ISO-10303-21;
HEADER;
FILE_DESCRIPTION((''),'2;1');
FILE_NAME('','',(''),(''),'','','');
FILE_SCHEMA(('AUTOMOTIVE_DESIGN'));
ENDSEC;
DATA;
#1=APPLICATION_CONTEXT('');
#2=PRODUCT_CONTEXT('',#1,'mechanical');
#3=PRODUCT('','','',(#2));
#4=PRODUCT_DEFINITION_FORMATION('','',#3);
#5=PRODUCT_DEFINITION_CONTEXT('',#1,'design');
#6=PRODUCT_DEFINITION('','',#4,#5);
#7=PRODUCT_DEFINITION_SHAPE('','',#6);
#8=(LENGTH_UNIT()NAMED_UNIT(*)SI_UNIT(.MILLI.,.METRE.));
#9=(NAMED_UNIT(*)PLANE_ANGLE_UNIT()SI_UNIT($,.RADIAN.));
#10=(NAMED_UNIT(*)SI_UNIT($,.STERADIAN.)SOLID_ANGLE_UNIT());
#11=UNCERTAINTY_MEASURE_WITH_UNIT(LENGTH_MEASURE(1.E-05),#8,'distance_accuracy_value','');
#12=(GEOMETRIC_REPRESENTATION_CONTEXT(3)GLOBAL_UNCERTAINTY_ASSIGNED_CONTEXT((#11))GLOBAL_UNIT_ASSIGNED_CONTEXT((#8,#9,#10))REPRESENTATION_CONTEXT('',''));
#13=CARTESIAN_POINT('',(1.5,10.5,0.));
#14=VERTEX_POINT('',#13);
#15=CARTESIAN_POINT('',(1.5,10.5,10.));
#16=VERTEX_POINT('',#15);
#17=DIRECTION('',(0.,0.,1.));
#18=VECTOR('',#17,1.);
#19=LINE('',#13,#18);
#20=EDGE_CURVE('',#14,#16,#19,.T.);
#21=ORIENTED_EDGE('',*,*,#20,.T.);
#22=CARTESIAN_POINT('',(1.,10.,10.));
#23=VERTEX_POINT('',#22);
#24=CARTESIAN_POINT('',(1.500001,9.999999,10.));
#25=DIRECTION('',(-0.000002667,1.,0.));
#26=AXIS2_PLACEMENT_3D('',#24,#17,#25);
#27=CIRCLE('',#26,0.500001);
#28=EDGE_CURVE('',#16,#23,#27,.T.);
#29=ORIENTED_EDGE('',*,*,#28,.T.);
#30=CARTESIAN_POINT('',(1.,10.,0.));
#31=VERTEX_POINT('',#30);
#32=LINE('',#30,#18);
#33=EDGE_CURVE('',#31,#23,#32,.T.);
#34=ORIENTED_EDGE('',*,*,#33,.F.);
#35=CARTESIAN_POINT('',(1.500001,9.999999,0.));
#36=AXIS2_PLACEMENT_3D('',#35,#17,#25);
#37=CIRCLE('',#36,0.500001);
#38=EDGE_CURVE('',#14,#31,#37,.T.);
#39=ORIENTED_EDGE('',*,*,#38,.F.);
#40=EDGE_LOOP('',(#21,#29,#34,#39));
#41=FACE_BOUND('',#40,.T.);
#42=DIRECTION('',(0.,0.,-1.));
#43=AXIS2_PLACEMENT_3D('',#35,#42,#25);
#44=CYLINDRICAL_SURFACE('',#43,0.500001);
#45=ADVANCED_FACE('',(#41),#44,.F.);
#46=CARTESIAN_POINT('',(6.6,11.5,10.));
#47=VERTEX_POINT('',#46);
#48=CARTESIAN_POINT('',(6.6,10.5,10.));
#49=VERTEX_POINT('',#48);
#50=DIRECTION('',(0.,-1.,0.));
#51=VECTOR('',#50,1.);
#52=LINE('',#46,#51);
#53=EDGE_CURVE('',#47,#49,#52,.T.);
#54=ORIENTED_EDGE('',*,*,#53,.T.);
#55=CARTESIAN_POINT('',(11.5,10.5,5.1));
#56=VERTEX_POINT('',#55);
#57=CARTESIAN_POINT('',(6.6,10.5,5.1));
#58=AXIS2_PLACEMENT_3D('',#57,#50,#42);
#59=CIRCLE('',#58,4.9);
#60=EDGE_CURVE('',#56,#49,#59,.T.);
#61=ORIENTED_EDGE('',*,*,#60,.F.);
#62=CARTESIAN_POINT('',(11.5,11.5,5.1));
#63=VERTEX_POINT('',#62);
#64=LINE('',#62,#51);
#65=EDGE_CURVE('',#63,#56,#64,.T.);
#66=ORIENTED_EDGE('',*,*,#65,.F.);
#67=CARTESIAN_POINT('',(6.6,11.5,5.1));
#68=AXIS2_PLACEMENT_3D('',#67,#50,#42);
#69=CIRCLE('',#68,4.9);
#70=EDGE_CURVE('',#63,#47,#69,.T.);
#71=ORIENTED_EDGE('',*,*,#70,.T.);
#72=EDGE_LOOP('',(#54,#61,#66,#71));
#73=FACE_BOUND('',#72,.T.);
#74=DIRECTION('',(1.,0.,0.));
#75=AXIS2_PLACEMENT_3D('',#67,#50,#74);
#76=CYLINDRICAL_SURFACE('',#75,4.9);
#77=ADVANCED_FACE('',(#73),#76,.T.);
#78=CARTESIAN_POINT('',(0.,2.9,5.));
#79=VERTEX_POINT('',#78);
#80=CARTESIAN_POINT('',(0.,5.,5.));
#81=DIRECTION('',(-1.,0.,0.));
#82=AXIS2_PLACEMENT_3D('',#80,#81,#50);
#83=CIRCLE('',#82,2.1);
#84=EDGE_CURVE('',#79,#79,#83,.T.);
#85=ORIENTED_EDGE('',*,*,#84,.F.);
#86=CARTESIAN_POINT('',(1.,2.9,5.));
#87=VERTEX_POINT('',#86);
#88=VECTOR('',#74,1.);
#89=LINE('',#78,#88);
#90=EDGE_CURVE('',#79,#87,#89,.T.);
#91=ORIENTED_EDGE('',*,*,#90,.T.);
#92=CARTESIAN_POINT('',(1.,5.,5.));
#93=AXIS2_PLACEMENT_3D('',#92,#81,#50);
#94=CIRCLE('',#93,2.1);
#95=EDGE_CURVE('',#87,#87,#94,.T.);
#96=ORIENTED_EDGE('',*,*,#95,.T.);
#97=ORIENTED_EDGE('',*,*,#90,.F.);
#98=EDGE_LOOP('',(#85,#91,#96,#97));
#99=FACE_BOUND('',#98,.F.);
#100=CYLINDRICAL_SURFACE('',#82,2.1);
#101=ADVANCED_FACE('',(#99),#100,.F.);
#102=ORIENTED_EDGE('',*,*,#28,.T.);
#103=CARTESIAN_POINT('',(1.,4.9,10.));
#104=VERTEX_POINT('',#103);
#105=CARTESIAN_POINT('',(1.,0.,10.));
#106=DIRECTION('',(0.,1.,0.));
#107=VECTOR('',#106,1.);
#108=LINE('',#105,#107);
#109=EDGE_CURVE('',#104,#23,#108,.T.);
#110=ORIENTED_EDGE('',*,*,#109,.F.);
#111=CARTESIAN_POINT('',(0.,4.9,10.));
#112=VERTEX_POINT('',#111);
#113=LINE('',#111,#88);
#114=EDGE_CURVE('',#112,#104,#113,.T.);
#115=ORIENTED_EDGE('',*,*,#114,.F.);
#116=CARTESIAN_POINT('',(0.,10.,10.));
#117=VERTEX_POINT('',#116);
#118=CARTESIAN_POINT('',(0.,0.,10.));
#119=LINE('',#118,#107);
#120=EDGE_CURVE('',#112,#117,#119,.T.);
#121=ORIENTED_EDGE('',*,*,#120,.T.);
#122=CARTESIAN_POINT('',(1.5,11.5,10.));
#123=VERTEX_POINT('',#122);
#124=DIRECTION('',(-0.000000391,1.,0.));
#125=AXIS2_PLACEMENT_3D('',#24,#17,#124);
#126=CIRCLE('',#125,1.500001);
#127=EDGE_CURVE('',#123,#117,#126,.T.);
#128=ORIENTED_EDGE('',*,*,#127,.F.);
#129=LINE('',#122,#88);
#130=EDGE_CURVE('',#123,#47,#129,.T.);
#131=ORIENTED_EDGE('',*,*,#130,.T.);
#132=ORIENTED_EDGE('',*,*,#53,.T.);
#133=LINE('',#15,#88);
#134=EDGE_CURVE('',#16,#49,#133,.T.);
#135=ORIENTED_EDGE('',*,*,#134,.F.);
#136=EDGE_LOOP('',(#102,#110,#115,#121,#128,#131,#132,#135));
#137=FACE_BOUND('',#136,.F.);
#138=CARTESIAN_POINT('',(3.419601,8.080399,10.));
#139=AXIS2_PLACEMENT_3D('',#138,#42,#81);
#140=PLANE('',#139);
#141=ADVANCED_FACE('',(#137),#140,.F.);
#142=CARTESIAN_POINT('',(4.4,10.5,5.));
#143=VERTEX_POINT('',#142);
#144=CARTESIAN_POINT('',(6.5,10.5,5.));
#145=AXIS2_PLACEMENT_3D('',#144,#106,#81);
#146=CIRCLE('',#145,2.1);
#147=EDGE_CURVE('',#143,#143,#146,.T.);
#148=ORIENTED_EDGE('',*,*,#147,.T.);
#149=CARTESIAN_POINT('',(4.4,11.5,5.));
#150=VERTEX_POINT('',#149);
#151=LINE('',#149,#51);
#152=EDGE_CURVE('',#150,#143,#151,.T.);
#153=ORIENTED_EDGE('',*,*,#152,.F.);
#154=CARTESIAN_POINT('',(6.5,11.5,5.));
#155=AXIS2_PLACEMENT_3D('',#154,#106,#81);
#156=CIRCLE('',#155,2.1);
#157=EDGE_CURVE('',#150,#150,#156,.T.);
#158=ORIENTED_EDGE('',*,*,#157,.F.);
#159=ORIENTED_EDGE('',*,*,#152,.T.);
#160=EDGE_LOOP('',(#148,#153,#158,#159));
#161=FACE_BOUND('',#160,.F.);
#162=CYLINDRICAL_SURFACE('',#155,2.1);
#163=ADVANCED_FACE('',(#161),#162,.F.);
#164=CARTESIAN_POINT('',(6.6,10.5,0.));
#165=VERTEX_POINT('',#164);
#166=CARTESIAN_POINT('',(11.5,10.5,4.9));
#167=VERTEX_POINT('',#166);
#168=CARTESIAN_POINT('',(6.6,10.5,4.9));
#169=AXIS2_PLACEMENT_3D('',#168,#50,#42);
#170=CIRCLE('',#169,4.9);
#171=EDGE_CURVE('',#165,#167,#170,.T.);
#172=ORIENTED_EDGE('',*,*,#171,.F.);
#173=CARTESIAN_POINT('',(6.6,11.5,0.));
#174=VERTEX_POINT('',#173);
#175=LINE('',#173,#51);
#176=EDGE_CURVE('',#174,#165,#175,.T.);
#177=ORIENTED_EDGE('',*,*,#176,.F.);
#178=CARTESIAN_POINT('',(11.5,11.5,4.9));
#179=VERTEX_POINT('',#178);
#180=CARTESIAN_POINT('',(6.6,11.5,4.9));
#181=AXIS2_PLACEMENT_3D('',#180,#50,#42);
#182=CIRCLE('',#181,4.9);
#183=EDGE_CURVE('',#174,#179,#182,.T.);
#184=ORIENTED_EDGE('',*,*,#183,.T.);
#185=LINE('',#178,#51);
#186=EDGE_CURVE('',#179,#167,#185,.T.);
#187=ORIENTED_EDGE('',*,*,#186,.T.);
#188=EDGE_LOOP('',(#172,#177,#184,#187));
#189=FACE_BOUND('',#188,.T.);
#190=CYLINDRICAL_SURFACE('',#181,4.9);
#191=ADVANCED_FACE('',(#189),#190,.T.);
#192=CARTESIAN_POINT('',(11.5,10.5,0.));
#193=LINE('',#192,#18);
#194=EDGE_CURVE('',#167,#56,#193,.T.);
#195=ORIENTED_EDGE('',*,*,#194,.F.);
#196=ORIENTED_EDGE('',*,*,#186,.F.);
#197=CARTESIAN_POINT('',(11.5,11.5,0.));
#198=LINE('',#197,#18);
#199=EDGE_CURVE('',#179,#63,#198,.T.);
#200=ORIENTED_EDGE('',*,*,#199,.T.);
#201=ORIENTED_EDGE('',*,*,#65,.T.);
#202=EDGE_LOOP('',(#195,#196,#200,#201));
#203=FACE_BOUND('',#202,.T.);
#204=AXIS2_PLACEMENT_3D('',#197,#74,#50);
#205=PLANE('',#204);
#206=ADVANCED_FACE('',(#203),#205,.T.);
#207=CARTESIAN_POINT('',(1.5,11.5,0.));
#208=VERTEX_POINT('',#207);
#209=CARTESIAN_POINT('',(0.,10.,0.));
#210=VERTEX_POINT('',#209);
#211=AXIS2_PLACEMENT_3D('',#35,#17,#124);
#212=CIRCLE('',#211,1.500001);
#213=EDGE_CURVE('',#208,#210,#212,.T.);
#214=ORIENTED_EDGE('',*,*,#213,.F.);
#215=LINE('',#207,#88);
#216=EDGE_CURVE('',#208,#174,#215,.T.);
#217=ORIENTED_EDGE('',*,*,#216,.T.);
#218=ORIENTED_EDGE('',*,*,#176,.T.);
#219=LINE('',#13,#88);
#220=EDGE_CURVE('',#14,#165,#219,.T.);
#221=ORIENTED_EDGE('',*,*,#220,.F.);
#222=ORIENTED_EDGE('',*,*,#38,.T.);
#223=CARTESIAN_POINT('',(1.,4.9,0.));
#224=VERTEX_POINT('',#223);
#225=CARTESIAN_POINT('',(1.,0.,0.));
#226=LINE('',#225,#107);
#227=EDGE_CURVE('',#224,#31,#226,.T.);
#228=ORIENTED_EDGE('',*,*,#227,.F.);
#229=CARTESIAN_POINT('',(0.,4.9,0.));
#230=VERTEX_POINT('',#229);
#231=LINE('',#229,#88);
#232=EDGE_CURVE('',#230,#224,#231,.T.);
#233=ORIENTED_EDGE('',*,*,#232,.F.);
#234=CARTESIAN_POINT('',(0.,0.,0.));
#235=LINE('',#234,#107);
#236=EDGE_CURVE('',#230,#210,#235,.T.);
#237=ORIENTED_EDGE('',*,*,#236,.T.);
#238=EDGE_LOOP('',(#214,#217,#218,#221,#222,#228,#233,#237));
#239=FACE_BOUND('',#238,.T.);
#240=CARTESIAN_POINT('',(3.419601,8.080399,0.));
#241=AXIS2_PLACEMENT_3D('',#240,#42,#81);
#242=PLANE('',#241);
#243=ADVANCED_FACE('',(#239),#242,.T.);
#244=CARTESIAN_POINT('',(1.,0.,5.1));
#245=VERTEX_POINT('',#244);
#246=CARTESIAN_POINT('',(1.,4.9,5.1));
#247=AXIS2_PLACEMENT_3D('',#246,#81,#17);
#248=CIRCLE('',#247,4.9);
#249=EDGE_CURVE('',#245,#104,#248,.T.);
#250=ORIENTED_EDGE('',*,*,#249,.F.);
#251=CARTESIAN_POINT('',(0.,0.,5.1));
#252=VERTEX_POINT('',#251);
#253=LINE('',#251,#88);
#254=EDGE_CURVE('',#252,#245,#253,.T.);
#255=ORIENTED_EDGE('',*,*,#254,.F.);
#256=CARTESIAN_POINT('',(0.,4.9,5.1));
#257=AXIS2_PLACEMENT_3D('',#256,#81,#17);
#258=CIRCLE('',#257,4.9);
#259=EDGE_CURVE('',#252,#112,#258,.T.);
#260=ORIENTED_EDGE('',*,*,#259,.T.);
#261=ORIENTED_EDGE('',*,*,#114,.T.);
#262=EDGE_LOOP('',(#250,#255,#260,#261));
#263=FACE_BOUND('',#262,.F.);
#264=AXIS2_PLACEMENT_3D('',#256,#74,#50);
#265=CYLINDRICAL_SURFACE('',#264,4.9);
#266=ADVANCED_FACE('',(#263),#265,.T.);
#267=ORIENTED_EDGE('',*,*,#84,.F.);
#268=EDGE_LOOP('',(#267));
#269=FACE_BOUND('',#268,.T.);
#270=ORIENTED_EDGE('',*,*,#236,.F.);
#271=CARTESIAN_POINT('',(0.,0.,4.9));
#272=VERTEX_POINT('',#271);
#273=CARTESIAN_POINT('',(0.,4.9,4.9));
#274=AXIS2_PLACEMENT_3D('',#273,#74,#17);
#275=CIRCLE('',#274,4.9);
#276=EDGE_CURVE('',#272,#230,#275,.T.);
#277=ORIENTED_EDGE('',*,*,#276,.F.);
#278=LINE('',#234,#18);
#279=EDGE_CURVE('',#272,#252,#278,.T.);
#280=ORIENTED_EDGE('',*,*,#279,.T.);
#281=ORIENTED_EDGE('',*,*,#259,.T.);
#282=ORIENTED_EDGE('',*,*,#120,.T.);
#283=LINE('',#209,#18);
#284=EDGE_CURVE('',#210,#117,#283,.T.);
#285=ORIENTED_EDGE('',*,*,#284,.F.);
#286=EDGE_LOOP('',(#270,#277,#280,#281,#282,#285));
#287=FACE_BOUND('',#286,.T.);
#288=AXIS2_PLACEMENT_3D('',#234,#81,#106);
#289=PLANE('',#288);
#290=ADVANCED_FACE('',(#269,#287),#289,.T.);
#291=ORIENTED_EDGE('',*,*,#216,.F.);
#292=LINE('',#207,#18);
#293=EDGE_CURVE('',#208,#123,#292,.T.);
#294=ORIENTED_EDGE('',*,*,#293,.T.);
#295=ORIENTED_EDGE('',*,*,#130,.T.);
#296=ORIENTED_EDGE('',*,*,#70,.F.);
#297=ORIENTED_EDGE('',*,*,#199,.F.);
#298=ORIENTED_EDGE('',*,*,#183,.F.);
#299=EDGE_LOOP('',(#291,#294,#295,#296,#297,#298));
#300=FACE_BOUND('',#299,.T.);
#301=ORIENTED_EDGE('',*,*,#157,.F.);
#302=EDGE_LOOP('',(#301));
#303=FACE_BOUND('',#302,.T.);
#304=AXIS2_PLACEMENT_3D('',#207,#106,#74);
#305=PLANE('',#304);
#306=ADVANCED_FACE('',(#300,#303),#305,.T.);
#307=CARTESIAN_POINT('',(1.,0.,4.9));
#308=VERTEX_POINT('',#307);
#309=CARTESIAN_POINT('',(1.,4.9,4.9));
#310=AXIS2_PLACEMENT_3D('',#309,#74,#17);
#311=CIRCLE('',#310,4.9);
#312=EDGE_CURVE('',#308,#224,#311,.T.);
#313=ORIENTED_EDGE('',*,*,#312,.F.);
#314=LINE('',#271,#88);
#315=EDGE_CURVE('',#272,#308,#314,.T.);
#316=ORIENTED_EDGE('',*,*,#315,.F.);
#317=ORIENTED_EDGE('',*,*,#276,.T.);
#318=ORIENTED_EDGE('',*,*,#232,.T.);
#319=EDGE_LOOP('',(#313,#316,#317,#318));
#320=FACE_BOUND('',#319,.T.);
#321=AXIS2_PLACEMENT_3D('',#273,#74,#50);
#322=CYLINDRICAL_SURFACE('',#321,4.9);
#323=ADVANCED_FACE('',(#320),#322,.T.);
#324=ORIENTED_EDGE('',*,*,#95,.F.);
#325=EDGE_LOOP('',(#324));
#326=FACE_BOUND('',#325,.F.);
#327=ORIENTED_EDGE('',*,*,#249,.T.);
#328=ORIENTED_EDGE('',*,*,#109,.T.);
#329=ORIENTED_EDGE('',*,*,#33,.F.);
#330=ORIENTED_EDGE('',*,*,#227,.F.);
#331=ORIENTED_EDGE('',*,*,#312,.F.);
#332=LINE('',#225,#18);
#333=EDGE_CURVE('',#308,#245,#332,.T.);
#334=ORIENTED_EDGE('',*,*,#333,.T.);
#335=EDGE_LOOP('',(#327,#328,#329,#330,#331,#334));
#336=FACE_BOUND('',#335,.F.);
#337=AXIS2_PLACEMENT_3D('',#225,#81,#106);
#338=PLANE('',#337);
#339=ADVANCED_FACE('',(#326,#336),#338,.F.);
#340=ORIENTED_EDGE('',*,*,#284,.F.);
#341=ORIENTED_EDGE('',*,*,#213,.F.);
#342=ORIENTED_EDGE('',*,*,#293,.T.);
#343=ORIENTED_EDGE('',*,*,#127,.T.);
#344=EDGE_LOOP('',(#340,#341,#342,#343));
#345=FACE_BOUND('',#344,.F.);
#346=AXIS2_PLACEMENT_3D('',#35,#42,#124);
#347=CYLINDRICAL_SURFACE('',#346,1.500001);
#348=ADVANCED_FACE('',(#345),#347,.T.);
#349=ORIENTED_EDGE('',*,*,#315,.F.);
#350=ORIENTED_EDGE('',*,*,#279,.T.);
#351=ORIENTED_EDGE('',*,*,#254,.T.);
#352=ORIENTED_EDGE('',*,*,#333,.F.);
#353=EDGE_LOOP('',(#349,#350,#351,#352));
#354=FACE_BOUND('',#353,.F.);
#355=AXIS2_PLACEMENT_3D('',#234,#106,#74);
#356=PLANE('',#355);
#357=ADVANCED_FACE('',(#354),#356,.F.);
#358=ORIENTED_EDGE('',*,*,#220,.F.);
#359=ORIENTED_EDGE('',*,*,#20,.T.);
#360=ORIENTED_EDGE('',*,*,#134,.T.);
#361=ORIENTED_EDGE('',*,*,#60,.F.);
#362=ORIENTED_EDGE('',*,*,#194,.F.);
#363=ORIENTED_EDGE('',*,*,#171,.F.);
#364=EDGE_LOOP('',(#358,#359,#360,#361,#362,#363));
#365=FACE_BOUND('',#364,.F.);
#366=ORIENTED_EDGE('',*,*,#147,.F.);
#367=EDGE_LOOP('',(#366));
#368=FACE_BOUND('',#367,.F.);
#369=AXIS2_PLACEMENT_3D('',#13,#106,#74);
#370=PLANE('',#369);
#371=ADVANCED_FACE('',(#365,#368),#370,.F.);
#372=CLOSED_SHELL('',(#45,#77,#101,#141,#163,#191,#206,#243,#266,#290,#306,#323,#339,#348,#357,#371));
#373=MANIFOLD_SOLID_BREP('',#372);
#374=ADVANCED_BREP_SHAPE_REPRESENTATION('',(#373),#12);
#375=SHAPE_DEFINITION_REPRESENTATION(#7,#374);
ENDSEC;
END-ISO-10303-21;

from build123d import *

# Parameters (mm, degrees)
PAD_DEPTH       = 10
FILLET_R        = 4.9
FILLET001_R     = 4.9
FILLET002_R     = 4.9
FILLET003_R     = 4.9
SKETCH001_R     = 2.1
POCKET_DEPTH    = 11.501
SKETCH002_R     = 2.1
POCKET001_DEPTH = 11.501


with BuildPart() as part:
    # Sketch → Pad (new body)
    with BuildSketch(Plane.XY):
        with BuildLine():
            Line((0, 0), (0, 10))
            ThreePointArc((1.5, 11.5), (0.43934, 11.06066), (0, 10))
            Line((1.5, 11.5), (11.5, 11.5))
            Line((11.5, 11.5), (11.5, 10.5))
            Line((1.5, 10.5), (11.5, 10.5))
            ThreePointArc((1.5, 10.5), (1.146447, 10.353553), (1, 10))
            Line((1, 0), (1, 10))
            Line((0, 0), (1, 0))
        make_face()
    extrude(amount=PAD_DEPTH)

    # Fillet
    fillet_edges = [part.edges().sort_by_distance(p)[0] for p in [
        (0.5, 0, 10),
    ]]
    fillet(fillet_edges, radius=FILLET_R)

    # Fillet001
    fillet001_edges = [part.edges().sort_by_distance(p)[0] for p in [
        (0.5, 0, 0),
    ]]
    fillet(fillet001_edges, radius=FILLET001_R)

    # Fillet002
    fillet002_edges = [part.edges().sort_by_distance(p)[0] for p in [
        (11.5, 11, 0),
    ]]
    fillet(fillet002_edges, radius=FILLET002_R)

    # Fillet003
    fillet003_edges = [part.edges().sort_by_distance(p)[0] for p in [
        (11.5, 11, 10),
    ]]
    fillet(fillet003_edges, radius=FILLET003_R)

    # Sketch001 → Pocket (cut, through all)
    with BuildSketch(Plane(origin=(0, 0, 0), x_dir=(0, -1, 0), z_dir=(-1, 0, 0))):
        with Locations((-5, 5)):
            Circle(SKETCH001_R)
    extrude(amount=-POCKET_DEPTH, mode=Mode.SUBTRACT)

    # Sketch002 → Pocket001 (cut, through all)
    with BuildSketch(Plane(origin=(0, 11.5, 0), x_dir=(-1, 0, 0), z_dir=(0, 1, 0))):
        with Locations((-6.5, 5)):
            Circle(SKETCH002_R)
    extrude(amount=-POCKET001_DEPTH, mode=Mode.SUBTRACT)


solid = part.part
